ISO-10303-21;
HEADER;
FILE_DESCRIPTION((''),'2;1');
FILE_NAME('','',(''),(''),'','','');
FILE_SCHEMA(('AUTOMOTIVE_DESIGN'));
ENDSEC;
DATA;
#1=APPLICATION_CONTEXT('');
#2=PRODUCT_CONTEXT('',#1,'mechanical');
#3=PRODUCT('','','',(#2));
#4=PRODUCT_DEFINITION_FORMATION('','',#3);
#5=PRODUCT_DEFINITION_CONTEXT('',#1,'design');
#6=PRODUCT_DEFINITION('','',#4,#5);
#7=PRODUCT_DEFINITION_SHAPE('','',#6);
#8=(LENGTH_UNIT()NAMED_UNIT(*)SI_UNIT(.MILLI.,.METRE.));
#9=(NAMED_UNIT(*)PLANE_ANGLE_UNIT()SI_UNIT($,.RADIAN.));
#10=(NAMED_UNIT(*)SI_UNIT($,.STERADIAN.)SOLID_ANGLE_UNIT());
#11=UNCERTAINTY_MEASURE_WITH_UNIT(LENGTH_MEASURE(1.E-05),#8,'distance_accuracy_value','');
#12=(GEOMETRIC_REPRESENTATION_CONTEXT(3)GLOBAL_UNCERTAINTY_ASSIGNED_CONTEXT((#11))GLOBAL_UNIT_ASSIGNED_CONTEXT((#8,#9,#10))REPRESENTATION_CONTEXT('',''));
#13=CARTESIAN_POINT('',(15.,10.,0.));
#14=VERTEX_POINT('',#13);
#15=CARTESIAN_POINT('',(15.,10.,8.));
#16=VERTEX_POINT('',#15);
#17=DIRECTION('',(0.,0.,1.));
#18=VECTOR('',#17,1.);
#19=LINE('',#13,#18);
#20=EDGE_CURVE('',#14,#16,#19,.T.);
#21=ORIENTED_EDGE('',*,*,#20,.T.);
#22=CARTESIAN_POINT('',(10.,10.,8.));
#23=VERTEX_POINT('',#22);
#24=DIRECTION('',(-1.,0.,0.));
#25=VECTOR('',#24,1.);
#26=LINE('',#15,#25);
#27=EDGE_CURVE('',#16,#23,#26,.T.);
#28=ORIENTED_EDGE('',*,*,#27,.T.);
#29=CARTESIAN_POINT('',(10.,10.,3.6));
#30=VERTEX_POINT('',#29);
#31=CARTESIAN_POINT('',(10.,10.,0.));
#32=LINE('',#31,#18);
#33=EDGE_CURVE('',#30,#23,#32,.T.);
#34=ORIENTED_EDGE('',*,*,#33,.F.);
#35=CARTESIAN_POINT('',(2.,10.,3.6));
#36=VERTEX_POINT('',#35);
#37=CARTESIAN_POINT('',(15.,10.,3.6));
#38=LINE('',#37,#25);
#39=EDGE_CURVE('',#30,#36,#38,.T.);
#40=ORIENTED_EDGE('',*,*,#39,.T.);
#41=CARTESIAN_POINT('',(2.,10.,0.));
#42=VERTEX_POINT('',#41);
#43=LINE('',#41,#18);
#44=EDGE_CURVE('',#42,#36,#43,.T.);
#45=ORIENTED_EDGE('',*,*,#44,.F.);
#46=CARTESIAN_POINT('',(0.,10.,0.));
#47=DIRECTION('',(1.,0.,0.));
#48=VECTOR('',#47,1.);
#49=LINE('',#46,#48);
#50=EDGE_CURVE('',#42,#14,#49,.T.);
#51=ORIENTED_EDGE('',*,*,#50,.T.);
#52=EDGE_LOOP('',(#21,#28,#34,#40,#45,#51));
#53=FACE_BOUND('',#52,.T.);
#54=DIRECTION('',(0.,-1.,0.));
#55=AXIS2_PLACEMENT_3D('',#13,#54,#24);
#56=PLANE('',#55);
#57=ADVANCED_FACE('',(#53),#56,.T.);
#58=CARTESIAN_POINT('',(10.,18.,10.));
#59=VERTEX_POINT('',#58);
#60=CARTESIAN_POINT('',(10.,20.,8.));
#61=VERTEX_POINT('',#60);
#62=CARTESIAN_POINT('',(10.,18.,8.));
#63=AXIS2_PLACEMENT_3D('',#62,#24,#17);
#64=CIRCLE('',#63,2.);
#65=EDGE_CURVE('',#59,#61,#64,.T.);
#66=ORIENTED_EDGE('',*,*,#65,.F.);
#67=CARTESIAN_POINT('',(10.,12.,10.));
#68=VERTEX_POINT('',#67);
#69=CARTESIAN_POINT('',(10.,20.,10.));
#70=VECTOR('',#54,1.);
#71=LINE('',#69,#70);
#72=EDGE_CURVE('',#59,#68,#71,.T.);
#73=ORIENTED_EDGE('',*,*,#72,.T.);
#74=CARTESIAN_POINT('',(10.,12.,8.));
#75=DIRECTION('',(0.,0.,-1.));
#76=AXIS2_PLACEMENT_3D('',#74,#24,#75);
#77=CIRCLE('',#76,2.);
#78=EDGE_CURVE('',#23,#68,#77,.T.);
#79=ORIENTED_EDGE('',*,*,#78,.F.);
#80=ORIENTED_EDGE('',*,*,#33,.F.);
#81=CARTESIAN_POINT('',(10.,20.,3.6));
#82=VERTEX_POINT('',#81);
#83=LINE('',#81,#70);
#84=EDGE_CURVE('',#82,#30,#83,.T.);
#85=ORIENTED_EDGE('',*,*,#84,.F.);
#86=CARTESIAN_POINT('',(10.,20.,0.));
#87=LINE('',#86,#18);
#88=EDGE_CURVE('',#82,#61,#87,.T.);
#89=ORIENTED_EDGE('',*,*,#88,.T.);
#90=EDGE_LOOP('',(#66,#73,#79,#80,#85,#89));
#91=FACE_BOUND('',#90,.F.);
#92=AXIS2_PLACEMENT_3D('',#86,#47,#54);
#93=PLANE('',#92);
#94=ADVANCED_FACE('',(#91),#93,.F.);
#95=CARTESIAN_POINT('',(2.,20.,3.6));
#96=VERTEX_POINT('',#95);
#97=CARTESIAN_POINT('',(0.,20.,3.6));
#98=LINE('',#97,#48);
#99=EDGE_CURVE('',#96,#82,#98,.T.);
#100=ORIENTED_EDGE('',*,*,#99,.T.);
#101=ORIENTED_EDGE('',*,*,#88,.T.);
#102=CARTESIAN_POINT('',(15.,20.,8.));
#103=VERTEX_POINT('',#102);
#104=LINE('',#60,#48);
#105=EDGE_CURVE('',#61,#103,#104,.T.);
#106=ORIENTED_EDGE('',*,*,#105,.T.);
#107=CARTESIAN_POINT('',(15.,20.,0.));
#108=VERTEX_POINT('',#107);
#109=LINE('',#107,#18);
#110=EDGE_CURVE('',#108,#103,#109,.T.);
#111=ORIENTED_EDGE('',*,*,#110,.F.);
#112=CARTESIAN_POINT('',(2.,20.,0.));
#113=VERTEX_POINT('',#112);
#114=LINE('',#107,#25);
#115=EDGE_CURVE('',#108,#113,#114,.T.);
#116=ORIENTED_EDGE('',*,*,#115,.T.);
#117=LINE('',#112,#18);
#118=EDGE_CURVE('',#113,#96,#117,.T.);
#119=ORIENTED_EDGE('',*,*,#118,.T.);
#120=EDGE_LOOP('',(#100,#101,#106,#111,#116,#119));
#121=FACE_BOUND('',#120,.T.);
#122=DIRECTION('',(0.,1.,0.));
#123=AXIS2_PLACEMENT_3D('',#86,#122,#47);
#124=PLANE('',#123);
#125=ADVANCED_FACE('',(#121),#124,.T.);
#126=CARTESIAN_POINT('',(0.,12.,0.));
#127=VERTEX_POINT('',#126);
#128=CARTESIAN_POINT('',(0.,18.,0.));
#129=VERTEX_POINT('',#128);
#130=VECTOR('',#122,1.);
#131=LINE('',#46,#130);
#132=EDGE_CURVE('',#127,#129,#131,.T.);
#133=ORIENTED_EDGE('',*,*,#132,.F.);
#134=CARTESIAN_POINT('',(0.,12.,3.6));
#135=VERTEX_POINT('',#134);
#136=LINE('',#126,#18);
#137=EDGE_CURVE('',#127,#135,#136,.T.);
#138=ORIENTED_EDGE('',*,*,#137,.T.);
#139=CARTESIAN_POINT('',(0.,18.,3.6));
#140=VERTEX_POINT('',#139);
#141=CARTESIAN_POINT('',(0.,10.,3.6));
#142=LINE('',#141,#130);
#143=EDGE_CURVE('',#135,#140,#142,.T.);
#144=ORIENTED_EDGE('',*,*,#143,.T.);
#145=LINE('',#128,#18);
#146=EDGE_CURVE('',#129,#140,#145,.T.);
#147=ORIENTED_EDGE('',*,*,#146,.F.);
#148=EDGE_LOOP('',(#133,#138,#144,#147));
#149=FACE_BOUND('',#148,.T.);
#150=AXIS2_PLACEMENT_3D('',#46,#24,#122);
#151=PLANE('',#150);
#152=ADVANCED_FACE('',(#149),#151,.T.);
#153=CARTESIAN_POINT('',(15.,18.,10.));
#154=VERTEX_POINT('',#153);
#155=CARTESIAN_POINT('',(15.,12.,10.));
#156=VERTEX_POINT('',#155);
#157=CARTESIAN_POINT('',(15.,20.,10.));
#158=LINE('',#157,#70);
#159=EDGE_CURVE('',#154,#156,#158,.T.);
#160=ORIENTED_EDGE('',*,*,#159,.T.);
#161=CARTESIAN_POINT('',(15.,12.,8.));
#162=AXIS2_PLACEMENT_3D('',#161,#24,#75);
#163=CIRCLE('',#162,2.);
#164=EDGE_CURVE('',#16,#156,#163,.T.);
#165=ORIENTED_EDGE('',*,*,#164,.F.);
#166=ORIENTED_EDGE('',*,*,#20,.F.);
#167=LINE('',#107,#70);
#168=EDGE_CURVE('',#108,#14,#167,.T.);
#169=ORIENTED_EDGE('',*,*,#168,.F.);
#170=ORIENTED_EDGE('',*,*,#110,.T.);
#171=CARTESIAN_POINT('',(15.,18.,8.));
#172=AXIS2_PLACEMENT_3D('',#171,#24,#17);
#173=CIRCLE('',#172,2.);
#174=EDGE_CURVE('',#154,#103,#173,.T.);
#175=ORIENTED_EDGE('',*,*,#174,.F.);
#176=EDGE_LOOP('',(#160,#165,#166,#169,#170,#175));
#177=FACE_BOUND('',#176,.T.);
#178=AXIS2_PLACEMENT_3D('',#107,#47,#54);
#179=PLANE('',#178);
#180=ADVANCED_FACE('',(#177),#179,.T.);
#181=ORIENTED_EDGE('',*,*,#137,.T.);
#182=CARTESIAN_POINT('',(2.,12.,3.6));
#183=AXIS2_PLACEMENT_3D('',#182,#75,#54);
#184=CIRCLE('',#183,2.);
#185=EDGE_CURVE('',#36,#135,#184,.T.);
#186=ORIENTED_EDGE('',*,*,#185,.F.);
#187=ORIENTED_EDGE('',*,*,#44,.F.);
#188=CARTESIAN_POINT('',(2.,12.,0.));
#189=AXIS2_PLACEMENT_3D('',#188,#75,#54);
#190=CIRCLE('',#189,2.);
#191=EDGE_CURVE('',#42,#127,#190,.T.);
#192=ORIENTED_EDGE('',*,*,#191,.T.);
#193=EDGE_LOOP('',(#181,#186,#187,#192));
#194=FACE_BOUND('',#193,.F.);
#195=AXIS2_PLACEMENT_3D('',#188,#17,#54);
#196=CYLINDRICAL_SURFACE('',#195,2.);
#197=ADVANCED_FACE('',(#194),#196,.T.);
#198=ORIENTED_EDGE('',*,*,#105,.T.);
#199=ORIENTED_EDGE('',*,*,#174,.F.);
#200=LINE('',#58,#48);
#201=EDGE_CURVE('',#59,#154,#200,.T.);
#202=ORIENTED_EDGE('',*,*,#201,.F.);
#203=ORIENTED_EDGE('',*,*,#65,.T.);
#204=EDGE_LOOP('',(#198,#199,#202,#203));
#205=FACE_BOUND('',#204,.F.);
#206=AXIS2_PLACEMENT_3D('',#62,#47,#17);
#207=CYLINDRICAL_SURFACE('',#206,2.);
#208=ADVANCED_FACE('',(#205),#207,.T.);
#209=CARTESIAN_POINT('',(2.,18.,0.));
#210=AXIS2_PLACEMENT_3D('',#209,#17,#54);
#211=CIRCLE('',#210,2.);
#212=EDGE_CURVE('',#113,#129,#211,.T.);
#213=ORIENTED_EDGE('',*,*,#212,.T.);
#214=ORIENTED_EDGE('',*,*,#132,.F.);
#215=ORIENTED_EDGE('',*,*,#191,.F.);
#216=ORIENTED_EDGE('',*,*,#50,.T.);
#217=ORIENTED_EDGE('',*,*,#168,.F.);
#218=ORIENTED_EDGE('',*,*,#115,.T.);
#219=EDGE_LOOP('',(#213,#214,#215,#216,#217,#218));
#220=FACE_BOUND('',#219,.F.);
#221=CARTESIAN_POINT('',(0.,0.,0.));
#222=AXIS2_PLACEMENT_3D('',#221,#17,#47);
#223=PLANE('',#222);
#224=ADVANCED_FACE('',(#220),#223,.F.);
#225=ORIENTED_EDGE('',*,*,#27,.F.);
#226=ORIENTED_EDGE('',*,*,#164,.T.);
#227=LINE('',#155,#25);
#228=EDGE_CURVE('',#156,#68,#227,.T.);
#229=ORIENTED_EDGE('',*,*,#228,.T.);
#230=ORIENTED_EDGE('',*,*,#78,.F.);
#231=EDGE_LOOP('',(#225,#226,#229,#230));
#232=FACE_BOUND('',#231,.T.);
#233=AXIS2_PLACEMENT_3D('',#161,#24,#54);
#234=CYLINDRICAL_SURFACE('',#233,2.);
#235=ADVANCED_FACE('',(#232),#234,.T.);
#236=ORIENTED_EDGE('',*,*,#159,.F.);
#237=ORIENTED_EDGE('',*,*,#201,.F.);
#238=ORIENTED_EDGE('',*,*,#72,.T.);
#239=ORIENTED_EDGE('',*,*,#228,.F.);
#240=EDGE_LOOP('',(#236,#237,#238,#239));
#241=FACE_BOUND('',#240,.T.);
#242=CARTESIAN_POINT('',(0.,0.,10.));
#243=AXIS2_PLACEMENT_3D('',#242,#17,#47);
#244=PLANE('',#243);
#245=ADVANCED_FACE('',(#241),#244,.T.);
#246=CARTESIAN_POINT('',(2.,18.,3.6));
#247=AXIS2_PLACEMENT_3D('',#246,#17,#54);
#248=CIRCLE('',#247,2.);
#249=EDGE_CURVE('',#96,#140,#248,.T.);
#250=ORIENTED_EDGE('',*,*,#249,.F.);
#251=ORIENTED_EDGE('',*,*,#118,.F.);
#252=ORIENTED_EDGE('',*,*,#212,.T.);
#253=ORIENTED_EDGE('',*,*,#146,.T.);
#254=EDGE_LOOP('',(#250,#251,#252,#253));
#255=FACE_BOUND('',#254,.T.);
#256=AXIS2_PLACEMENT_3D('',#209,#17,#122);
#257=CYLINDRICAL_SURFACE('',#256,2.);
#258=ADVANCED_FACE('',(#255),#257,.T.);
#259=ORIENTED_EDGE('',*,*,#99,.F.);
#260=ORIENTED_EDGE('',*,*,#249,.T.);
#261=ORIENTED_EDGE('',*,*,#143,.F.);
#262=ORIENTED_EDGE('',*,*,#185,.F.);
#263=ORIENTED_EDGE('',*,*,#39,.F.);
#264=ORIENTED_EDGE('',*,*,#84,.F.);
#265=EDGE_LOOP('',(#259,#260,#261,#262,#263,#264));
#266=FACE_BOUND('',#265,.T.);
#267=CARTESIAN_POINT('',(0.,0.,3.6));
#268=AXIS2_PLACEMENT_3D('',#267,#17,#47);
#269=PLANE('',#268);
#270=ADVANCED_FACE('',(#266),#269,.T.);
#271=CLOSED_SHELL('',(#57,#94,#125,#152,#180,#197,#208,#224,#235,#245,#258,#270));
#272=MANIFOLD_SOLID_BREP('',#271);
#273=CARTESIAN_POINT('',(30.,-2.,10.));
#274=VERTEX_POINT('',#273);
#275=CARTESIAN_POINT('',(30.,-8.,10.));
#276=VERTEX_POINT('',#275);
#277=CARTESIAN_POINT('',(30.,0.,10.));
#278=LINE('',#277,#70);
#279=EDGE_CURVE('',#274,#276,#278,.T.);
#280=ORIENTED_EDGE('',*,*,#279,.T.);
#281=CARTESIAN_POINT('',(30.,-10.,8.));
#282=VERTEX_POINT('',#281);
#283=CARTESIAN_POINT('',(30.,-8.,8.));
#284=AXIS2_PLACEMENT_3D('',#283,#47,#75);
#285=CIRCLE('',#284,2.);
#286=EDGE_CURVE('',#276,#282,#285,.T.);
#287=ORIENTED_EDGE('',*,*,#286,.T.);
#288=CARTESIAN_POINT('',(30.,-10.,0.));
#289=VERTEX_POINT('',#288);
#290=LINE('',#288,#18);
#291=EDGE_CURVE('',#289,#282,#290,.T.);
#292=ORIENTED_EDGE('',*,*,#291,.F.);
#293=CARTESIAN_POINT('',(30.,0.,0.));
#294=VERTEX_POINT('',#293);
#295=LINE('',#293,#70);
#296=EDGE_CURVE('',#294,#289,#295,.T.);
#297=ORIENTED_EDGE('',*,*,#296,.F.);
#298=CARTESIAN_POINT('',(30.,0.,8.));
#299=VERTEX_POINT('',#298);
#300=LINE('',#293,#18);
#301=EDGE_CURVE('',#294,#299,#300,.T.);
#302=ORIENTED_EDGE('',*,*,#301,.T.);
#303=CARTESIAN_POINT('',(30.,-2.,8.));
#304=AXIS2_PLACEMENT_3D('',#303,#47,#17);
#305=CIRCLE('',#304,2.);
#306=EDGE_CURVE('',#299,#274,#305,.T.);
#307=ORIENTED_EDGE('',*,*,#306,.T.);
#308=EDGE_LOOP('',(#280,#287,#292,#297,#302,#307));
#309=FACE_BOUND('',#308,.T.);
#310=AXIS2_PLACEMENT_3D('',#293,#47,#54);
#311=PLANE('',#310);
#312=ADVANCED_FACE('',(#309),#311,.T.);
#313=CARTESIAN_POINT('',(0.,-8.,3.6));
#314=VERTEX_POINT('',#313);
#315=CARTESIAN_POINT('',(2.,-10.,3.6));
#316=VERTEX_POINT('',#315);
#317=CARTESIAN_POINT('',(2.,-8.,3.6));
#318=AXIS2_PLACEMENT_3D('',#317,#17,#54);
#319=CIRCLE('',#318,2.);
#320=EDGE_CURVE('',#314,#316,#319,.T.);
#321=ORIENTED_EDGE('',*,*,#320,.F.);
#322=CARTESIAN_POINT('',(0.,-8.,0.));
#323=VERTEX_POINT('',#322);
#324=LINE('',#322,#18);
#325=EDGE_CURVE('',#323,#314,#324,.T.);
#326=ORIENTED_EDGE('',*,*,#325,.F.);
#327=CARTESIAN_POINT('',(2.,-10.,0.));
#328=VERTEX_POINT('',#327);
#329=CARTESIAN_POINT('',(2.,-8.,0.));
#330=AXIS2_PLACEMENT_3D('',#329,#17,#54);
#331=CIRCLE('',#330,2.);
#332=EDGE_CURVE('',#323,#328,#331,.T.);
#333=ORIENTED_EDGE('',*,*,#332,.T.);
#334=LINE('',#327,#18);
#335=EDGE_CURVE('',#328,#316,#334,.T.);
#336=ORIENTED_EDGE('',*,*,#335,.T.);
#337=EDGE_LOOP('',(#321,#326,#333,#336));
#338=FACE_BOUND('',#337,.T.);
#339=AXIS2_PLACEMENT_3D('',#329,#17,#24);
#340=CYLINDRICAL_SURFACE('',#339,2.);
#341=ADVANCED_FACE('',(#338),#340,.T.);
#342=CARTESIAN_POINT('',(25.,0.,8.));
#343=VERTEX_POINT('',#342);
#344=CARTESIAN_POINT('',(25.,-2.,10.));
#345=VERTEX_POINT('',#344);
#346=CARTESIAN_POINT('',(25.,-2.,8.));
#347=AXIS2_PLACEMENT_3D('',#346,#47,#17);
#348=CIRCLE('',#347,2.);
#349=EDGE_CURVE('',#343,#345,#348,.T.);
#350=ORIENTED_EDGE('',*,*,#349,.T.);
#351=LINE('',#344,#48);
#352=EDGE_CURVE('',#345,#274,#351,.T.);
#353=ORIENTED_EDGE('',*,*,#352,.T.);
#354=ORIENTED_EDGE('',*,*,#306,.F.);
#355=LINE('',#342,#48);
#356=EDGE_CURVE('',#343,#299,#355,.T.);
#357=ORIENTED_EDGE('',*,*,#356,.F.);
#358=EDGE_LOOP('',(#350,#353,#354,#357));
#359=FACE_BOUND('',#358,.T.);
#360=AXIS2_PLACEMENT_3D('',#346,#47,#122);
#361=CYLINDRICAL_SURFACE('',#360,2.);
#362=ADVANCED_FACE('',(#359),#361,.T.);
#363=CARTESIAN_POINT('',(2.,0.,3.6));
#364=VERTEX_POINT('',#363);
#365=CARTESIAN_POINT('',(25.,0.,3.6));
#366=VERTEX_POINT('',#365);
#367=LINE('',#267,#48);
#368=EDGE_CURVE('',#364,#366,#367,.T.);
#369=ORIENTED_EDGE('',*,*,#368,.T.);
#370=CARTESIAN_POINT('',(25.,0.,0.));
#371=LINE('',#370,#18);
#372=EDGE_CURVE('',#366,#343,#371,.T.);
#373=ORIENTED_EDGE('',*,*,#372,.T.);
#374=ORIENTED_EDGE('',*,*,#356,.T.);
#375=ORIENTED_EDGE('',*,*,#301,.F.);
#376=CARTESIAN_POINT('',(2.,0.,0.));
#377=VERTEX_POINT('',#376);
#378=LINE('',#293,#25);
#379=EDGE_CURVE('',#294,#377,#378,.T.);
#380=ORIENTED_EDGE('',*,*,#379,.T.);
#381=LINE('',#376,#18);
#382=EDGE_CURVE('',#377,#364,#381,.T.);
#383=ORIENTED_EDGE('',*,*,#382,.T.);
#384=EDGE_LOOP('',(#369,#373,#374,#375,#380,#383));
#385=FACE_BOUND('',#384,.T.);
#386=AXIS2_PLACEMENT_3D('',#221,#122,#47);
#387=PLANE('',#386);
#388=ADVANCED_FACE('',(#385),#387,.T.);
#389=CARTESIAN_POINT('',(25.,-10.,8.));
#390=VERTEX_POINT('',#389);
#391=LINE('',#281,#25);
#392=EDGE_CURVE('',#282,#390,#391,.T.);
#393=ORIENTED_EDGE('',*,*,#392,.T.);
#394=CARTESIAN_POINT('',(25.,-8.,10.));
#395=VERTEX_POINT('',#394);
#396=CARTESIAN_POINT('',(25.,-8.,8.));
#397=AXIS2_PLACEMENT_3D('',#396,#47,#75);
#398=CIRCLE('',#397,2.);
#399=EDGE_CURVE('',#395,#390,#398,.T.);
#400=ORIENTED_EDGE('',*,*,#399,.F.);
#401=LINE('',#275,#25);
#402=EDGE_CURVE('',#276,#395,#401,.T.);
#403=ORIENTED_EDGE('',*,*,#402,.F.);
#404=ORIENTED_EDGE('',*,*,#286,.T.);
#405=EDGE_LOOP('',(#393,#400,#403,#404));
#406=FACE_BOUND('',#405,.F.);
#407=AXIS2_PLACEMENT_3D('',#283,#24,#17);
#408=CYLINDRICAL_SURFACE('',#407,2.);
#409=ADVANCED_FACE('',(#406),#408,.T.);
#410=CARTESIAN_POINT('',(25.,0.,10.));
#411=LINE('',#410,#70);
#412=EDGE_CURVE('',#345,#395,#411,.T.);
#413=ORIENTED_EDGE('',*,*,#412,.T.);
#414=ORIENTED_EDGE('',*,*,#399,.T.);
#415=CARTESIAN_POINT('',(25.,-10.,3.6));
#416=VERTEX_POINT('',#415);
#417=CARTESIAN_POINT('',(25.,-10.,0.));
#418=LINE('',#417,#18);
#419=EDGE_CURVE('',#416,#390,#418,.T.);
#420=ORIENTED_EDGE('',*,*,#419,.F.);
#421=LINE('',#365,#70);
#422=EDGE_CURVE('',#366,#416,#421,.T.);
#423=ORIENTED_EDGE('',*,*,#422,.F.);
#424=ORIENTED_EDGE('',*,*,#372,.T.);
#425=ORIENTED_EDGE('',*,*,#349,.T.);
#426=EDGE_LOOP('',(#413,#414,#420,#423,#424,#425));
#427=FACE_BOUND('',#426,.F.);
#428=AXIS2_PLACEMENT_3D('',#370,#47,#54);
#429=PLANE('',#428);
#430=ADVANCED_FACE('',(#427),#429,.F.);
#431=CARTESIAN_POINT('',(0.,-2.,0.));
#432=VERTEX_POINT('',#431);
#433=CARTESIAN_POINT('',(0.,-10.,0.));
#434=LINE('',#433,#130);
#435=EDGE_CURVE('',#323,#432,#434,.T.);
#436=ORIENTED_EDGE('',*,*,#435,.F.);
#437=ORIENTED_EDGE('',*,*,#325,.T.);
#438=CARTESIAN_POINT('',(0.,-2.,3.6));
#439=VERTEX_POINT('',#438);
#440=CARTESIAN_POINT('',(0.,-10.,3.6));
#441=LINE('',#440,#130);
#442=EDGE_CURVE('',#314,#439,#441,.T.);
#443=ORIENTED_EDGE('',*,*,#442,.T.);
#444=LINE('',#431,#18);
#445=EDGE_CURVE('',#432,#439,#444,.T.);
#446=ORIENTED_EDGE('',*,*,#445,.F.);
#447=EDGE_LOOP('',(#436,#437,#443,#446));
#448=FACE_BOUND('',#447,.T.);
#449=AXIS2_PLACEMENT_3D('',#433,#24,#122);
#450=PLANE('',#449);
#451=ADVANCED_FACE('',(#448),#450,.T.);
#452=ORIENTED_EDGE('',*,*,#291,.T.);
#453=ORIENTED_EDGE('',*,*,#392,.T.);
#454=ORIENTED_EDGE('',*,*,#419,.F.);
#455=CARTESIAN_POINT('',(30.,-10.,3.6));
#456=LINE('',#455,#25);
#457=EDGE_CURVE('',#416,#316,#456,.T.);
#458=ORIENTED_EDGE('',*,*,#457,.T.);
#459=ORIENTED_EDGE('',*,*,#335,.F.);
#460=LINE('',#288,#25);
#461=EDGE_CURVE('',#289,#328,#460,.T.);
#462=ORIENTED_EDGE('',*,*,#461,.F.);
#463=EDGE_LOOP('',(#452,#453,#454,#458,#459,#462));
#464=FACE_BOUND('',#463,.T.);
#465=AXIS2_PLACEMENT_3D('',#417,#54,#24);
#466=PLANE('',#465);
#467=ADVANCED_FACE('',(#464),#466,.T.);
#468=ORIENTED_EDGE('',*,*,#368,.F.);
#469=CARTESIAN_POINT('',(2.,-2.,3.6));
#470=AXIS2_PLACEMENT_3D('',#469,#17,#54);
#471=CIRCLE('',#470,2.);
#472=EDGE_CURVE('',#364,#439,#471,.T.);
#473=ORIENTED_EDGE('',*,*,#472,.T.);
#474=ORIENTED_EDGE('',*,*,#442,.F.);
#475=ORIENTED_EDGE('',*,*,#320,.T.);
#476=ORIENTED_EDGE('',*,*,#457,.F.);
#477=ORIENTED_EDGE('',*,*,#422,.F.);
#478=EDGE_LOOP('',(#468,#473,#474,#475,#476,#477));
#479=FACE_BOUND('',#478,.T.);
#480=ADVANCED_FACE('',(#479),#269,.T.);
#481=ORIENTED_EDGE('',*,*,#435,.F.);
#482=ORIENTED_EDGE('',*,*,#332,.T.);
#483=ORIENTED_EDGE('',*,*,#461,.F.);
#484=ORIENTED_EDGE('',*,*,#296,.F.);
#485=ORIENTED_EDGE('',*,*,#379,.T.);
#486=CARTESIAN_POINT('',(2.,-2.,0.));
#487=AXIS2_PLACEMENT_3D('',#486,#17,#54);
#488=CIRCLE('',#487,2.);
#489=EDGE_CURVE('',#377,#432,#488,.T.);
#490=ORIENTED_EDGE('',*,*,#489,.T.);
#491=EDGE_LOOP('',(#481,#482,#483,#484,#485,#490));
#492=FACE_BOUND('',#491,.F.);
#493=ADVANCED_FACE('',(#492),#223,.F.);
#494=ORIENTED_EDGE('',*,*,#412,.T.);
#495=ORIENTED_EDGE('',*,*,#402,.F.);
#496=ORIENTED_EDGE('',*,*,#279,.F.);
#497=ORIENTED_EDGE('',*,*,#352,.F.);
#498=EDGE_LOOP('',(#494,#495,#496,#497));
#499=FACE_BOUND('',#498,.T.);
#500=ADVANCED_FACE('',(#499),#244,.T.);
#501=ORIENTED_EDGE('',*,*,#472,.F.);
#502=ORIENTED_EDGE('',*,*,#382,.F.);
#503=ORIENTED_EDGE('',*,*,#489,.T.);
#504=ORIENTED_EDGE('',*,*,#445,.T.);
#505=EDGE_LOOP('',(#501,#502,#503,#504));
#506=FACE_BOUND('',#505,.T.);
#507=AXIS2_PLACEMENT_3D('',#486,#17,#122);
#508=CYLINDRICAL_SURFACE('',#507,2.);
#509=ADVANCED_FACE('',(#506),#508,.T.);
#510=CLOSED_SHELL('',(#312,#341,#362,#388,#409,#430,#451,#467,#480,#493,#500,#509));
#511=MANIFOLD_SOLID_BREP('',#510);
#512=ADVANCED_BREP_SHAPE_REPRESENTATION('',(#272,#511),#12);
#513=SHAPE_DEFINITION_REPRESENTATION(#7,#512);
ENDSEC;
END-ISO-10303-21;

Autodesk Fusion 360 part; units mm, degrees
sketch "Sketch1" plane through (0, 0, 0) normal (0, 0, 1) x (1, 0, 0)
  line L0 (0, 0) -> (30, 0)
  line L1 (30, 0) -> (30, -10)
  line L2 (30, -10) -> (0, -10)
  line L3 (0, -10) -> (0, 0)
  line L4 (25, 0) -> (25, -10)
  line L5 (0, 10) -> (0, 20)
  line L6 (15, 10) -> (0, 10)
  line L7 (0, 20) -> (15, 20)
  line L8 (15, 20) -> (15, 10)
  line L9 (10, 20) -> (10, 10)
  dimension "d1" = 30
  dimension "d2" = 10
  dimension "d3" = 5
  dimension "d12" = 15
  dimension "d13" = 10
  dimension "d14" = 5
extrude "Extrude1" add sketch "Sketch1" along normal blind 3.6 contours L0 L2 L3 L4 makes body 1
extrude "Extrude2" add sketch "Sketch1" along normal blind 10 contours L0 L1 L2 L4 bodies 1
fillet "Fillet1" radius 2 2 edges at (0, -10, 1.8) (0, 0, 1.8) on bodies 1
fillet "Fillet2" radius 2 2 edges at (27.5, 0, 10) (27.5, -10, 10) on bodies 1
extrude "Extrude3" add sketch "Sketch1" along normal blind 10 separate body contours L6 L7 L8 L9 makes body 2
extrude "Extrude4" add sketch "Sketch1" along normal blind 3.6 contours L5 L6 L7 L9 bodies 2
fillet "Fillet3" radius 2 4 edges at (12.5, 10, 10) (12.5, 20, 10) (0, 10, 1.8) (0, 20, 1.8) on bodies 2
